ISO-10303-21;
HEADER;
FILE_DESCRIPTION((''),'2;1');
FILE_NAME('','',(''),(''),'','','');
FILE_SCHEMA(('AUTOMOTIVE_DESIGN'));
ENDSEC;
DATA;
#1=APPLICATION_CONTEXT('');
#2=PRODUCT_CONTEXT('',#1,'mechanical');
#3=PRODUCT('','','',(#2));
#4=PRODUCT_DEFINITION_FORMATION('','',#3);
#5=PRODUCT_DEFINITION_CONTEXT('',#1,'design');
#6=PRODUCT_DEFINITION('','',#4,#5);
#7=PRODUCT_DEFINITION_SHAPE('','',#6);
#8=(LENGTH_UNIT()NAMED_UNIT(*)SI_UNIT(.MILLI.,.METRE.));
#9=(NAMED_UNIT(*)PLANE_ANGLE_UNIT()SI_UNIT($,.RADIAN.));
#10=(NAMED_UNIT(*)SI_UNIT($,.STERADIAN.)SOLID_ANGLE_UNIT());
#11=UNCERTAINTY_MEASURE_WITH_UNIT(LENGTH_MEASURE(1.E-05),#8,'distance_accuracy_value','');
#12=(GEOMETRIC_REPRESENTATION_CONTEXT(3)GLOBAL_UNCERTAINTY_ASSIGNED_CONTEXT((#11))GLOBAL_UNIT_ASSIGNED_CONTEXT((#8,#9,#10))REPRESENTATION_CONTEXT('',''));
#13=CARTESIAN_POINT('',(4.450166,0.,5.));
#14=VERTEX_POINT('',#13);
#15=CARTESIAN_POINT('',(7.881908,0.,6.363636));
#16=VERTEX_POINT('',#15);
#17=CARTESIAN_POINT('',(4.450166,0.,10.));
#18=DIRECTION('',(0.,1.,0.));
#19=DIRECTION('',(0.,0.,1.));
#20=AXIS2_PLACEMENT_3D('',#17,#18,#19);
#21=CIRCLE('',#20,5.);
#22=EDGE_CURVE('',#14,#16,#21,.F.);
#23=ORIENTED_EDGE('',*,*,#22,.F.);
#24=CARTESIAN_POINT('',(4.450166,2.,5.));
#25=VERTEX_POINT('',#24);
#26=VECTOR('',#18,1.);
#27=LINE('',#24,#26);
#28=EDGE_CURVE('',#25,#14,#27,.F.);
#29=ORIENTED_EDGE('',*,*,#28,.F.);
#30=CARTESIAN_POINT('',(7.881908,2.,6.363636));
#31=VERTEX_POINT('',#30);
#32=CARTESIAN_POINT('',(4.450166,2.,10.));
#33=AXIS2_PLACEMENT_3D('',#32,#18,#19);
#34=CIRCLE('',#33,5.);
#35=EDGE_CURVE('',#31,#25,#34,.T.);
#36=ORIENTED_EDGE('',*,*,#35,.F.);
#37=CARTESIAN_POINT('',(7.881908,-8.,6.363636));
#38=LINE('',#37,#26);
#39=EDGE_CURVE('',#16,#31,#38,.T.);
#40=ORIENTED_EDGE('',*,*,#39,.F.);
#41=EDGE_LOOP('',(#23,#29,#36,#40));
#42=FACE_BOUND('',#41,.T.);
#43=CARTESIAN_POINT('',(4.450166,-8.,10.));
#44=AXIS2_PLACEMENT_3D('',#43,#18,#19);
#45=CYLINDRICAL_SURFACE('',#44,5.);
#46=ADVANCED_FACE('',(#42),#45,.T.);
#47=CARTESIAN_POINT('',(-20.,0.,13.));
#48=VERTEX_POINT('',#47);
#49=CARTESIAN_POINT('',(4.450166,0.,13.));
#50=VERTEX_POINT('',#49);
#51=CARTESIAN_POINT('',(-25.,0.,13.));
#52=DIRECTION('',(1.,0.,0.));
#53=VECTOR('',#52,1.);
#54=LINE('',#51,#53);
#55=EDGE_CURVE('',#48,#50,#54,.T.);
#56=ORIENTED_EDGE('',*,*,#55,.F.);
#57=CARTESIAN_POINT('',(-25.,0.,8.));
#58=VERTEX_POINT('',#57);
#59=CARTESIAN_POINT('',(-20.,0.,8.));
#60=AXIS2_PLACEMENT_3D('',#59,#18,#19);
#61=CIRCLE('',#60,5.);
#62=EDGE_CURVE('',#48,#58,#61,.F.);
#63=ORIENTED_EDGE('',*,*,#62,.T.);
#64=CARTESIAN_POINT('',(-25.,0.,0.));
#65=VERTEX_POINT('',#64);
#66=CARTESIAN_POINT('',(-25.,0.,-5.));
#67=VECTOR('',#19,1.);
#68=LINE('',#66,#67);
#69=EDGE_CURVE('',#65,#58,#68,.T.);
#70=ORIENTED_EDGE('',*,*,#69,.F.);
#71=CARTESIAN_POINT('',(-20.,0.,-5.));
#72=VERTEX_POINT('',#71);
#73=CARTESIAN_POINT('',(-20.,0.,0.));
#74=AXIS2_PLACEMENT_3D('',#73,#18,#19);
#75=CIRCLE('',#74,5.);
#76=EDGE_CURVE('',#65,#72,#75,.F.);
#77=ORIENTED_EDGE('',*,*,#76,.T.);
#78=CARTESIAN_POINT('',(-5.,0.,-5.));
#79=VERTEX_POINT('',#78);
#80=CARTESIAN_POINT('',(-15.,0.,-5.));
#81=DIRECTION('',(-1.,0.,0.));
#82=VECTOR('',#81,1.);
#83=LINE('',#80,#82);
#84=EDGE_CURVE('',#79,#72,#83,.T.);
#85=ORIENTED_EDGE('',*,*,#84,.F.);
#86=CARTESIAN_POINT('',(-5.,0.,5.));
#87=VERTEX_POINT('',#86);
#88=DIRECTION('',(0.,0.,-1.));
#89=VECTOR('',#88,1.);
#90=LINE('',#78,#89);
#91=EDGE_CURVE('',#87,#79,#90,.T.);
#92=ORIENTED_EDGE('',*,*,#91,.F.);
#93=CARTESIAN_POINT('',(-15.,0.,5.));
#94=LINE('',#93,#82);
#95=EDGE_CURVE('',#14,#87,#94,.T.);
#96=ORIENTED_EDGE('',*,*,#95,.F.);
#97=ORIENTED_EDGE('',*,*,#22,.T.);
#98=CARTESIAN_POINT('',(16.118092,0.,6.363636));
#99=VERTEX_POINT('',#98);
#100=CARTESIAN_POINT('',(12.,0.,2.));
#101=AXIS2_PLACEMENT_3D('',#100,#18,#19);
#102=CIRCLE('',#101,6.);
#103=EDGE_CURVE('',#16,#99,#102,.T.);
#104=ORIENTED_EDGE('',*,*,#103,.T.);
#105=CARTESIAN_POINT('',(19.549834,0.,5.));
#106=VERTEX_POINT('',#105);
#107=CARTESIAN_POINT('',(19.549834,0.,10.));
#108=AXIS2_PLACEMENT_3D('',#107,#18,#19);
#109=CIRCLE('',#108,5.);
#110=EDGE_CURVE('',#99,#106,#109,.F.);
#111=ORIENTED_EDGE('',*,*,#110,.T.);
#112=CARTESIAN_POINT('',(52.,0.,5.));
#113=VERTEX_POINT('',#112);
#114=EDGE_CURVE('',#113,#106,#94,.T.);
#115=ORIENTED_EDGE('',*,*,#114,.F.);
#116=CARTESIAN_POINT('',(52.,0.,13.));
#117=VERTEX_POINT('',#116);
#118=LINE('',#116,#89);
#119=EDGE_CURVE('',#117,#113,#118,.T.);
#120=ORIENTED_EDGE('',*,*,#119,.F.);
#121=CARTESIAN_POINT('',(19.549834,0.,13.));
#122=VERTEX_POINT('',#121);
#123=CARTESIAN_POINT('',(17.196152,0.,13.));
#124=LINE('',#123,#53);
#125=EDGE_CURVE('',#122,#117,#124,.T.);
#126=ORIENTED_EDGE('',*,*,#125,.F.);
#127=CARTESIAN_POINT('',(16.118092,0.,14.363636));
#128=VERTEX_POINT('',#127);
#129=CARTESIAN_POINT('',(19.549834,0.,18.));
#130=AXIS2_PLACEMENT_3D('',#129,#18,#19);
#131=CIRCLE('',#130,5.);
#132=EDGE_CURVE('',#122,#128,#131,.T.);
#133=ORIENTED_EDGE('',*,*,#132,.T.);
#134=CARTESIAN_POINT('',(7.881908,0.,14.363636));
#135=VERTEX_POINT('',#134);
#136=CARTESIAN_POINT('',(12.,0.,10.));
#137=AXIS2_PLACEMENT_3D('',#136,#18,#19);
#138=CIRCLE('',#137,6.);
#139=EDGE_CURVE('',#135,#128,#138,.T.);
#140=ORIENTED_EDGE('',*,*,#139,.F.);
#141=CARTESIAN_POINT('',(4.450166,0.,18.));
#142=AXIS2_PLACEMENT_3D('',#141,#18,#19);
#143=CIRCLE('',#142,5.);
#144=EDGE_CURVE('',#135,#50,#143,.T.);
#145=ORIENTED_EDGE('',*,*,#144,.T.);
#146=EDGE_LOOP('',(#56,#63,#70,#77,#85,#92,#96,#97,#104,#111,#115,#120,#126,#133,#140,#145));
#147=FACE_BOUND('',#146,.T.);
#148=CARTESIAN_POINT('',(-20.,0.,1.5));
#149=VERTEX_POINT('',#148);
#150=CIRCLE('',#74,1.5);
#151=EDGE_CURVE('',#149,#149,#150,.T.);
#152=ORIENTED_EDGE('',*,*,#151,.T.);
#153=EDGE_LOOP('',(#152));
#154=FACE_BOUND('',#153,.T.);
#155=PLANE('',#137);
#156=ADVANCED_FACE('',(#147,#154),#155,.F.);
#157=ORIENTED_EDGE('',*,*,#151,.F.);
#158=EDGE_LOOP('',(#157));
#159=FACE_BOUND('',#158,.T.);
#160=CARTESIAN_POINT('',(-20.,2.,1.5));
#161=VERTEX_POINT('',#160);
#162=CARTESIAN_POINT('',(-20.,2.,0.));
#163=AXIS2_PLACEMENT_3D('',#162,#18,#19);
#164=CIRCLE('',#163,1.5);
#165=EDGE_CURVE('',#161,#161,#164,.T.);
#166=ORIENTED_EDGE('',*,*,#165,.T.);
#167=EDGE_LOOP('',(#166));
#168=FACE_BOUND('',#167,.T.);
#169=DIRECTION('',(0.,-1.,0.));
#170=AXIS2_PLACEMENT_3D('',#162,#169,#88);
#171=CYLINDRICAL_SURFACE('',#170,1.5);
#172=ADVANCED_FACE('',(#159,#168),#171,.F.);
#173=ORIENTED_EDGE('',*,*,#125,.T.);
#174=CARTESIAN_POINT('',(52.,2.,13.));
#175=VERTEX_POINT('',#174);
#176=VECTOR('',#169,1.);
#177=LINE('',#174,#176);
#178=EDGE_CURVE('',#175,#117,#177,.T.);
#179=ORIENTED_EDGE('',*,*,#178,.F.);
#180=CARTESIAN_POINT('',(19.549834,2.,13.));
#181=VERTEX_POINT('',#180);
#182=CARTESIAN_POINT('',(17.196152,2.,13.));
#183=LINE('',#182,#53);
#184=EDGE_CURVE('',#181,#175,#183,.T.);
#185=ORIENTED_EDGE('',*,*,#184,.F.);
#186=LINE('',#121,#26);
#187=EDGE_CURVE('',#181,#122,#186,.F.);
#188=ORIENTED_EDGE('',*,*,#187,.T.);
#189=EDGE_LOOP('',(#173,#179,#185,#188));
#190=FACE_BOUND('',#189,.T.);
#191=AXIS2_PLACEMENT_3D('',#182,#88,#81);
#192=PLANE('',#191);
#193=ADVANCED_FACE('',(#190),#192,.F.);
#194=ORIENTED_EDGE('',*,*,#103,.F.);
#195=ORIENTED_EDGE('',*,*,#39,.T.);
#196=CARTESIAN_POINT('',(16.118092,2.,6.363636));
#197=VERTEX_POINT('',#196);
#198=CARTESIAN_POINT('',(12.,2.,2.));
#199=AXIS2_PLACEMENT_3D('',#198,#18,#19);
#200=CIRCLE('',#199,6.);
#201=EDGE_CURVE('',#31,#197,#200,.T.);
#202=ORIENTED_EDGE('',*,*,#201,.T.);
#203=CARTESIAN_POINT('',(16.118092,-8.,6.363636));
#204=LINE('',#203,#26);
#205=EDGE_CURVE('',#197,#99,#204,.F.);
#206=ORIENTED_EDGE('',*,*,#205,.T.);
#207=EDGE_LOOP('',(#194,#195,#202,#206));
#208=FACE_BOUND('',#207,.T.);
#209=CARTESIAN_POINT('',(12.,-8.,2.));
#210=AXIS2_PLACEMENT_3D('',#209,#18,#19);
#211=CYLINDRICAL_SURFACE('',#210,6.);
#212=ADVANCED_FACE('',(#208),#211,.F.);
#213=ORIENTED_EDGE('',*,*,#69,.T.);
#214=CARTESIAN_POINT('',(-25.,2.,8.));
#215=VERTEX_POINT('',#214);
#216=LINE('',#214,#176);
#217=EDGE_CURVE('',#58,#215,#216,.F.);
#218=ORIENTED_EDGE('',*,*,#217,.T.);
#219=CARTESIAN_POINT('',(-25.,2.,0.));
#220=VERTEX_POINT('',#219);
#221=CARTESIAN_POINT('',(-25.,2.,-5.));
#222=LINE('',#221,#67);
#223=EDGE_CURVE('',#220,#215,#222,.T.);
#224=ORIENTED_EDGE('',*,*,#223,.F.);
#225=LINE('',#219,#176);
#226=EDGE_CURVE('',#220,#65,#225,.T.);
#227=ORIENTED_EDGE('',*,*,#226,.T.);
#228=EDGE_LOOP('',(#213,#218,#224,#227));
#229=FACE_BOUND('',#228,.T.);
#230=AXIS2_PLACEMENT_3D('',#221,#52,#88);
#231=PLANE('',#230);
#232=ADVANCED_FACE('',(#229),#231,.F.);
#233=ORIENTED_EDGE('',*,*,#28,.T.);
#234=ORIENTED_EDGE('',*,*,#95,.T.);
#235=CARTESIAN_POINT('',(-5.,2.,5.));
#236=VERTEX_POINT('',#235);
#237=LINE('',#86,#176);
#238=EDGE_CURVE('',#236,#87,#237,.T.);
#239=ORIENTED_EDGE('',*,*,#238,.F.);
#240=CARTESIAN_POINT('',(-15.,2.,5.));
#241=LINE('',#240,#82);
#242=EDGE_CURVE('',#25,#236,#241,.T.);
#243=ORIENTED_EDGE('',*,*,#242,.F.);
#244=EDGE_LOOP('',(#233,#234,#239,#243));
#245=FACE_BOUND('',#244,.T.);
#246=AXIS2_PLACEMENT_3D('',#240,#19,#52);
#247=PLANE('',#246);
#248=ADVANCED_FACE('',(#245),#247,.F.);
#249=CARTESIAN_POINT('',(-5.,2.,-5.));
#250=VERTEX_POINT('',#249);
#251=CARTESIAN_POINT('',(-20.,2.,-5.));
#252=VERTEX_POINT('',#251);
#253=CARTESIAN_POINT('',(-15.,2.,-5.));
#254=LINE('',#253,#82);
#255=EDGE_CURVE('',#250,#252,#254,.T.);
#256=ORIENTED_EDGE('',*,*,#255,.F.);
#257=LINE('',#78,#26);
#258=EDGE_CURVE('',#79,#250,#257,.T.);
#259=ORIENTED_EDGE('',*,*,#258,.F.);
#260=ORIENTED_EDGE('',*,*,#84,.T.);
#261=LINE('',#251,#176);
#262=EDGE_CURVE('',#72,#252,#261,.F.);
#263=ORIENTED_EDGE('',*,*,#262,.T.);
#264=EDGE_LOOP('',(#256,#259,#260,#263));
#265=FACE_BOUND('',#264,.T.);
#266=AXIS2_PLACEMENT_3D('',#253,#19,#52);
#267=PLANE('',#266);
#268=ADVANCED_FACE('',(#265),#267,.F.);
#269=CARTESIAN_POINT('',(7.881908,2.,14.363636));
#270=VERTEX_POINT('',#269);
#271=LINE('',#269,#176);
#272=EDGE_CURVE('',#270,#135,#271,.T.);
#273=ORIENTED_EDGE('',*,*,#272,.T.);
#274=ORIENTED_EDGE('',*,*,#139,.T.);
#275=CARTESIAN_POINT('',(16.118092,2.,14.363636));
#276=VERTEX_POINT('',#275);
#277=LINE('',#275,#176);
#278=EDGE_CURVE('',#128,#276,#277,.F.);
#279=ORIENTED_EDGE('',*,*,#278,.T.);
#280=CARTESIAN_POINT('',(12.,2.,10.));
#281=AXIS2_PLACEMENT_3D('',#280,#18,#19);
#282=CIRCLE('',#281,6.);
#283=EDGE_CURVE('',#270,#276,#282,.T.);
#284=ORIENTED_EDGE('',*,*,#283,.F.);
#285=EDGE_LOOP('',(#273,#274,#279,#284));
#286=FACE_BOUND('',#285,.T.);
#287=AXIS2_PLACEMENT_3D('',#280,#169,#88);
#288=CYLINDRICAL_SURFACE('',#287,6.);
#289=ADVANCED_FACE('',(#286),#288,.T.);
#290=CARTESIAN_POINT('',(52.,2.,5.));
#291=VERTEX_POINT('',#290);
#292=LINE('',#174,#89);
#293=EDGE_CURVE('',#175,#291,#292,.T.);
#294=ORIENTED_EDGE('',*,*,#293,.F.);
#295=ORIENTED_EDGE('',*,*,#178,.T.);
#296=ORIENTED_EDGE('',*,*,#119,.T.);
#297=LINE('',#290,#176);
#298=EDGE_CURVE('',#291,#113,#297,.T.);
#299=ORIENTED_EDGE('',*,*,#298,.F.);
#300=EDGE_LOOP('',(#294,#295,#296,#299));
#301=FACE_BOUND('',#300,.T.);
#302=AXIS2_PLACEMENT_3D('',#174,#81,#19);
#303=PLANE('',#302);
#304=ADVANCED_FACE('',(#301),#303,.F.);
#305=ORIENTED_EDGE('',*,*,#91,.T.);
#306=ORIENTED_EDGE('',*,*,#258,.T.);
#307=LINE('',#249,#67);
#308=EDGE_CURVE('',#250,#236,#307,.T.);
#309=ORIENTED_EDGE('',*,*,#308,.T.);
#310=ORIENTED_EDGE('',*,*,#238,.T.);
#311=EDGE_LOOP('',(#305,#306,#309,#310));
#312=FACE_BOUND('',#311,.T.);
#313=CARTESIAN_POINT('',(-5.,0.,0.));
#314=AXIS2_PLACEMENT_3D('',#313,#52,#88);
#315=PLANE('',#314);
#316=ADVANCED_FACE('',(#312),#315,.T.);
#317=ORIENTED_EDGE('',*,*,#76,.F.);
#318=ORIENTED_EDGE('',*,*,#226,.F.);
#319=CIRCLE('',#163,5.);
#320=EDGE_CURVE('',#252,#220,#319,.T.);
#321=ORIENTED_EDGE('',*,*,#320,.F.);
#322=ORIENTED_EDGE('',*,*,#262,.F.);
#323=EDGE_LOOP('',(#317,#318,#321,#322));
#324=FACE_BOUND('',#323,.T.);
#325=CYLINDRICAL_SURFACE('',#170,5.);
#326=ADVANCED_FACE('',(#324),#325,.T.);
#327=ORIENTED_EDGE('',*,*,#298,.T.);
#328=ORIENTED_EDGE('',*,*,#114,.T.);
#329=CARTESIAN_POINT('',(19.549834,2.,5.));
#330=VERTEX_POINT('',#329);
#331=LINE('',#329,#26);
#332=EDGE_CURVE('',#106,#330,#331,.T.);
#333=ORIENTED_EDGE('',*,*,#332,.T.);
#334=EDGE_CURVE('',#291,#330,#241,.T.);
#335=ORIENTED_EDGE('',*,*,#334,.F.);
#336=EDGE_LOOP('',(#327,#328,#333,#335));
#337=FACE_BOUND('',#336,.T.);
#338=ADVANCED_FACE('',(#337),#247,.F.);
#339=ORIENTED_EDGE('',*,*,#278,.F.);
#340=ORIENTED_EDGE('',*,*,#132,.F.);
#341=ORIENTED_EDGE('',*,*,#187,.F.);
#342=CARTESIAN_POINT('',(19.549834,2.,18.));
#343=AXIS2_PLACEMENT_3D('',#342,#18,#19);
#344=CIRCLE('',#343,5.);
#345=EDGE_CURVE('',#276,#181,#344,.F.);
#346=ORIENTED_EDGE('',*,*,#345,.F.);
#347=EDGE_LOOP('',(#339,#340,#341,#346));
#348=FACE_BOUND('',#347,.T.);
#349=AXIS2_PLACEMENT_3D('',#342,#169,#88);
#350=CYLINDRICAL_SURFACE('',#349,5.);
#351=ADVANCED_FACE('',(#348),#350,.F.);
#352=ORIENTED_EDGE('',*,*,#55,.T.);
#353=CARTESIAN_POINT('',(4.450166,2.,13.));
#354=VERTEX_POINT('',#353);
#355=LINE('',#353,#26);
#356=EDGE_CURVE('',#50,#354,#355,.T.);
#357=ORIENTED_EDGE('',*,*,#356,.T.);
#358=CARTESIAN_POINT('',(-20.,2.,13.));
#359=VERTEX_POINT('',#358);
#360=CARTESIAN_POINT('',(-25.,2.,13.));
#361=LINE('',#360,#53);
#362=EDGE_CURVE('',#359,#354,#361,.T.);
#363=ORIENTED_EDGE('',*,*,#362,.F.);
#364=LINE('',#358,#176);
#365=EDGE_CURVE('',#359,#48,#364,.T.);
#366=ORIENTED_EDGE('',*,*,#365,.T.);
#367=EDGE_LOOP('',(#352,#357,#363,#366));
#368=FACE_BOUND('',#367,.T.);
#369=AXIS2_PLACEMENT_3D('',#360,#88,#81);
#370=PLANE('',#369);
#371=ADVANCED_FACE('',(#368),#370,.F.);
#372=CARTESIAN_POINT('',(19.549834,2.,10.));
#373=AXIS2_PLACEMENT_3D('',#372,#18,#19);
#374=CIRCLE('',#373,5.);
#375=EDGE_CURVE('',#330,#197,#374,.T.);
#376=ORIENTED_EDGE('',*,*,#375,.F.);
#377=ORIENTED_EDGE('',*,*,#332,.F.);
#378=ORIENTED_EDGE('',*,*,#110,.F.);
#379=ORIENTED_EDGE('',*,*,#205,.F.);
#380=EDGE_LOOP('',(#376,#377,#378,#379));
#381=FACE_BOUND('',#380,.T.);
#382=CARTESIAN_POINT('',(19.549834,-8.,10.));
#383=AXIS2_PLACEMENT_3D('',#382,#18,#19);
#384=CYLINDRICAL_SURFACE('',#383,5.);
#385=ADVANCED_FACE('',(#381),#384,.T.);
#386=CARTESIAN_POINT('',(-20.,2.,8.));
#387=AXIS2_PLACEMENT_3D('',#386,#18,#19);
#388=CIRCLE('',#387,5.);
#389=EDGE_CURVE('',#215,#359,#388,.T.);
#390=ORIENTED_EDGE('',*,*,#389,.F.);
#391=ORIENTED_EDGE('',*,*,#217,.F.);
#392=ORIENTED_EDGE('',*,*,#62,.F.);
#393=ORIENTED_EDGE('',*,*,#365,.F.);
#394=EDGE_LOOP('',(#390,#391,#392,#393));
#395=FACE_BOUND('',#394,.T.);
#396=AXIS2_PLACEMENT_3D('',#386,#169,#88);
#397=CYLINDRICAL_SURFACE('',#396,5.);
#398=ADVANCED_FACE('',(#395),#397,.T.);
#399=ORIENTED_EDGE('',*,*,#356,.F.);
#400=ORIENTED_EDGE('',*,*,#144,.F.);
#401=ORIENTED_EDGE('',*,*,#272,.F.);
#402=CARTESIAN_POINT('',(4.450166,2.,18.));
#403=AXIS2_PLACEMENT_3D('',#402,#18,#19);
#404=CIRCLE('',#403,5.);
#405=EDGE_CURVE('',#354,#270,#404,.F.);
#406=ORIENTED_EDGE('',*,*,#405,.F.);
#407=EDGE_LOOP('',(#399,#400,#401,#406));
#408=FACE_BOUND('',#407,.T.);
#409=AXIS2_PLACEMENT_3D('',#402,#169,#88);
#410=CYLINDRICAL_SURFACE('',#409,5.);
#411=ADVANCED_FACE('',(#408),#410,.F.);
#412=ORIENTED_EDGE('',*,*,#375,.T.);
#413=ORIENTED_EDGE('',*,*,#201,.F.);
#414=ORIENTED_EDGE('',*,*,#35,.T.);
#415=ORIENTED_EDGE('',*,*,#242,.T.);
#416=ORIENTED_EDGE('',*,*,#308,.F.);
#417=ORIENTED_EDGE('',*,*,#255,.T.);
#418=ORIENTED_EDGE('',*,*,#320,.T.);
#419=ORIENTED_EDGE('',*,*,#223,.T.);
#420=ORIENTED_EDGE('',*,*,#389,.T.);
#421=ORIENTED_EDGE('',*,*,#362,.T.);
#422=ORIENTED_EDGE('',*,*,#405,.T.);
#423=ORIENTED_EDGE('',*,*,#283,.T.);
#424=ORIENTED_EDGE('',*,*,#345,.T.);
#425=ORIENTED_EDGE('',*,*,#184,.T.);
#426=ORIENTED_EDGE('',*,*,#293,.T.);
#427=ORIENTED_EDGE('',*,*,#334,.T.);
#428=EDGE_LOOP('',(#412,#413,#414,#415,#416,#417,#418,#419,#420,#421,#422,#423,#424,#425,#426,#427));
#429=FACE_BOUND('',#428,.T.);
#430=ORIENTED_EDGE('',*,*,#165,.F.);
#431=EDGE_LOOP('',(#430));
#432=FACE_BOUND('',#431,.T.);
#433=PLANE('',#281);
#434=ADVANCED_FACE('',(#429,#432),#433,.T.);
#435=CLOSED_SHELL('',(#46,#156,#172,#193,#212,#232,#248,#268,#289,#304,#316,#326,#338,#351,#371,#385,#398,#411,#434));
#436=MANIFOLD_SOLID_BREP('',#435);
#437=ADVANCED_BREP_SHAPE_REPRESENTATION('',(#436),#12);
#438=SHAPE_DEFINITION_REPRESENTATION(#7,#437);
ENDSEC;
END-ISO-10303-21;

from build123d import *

# Parameters (mm, degrees)
SKETCH_1_R          = 1.5
EXTRUDE_1_DEPTH     = 2
FILLET_2_R          = 5
FILLET_3_R          = 5
SKETCH_7_R          = 6
CUT_EXTRUDE_4_DEPTH = 10
FILLET_5_R          = 5
SKETCH_10_W         = 10
SKETCH_10_H         = 2
EXTRUDE_4_DEPTH     = 10


with BuildPart() as part:
    # 草图1 → 凸台-拉伸1 (new body)
    with BuildSketch(Plane(origin=(0, 0, 0), x_dir=(1, 0, 0), z_dir=(0, 1, 0))):
        with BuildLine():
            Line((17.196152423, -13), (52, -13))
            Line((52, -13), (52, -5))
            Line((52, -5), (-15, -5))
            Line((-15, -5), (-15, 5))
            Line((-15, 5), (-25, 5))
            Line((-25, 5), (-25, -13))
            Line((-25, -13), (6.803847577, -13))
            ThreePointArc((6.803847577, -13), (12, -16), (17.196152423, -13))
        make_face()
        with Locations(Location((-20, 0, 0), (0, 0, 270))):
            Circle(SKETCH_1_R, mode=Mode.SUBTRACT)
    extrude(amount=EXTRUDE_1_DEPTH)

    # 圆角2
    fillet_2_edges = [part.edges().sort_by_distance(p)[0] for p in [
        (-25, 1, -5),
    ]]
    fillet(fillet_2_edges, radius=FILLET_2_R)

    # 圆角3
    fillet_3_edges = [part.edges().sort_by_distance(p)[0] for p in [
        (-25, 1, 13),
    ]]
    fillet(fillet_3_edges, radius=FILLET_3_R)

    # 草图7 → 切除-拉伸4 (cut)
    with BuildSketch(Plane(origin=(0, 2, 0), x_dir=(1, 0, 0), z_dir=(0, 1, 0))):
        with Locations((12, -2)):
            Circle(SKETCH_7_R)
    extrude(amount=-CUT_EXTRUDE_4_DEPTH, mode=Mode.SUBTRACT)

    # 圆角5
    fillet_5_edges = [part.edges().sort_by_distance(p)[0] for p in [
        (17.196152423, 1, 13),
        (6.803847577, 1, 13),
        (6.803847577, 1, 5),
        (17.196152423, 1, 5),
    ]]
    fillet(fillet_5_edges, radius=FILLET_5_R)

    # 草图10 → 凸台-拉伸4 (add)
    with BuildSketch(Plane(origin=(-15, 0, 0), x_dir=(0, 0, -1), z_dir=(1, 0, 0))):
        with Locations((0, 1)):
            Rectangle(SKETCH_10_W, SKETCH_10_H)
    extrude(amount=EXTRUDE_4_DEPTH)


solid = part.part
